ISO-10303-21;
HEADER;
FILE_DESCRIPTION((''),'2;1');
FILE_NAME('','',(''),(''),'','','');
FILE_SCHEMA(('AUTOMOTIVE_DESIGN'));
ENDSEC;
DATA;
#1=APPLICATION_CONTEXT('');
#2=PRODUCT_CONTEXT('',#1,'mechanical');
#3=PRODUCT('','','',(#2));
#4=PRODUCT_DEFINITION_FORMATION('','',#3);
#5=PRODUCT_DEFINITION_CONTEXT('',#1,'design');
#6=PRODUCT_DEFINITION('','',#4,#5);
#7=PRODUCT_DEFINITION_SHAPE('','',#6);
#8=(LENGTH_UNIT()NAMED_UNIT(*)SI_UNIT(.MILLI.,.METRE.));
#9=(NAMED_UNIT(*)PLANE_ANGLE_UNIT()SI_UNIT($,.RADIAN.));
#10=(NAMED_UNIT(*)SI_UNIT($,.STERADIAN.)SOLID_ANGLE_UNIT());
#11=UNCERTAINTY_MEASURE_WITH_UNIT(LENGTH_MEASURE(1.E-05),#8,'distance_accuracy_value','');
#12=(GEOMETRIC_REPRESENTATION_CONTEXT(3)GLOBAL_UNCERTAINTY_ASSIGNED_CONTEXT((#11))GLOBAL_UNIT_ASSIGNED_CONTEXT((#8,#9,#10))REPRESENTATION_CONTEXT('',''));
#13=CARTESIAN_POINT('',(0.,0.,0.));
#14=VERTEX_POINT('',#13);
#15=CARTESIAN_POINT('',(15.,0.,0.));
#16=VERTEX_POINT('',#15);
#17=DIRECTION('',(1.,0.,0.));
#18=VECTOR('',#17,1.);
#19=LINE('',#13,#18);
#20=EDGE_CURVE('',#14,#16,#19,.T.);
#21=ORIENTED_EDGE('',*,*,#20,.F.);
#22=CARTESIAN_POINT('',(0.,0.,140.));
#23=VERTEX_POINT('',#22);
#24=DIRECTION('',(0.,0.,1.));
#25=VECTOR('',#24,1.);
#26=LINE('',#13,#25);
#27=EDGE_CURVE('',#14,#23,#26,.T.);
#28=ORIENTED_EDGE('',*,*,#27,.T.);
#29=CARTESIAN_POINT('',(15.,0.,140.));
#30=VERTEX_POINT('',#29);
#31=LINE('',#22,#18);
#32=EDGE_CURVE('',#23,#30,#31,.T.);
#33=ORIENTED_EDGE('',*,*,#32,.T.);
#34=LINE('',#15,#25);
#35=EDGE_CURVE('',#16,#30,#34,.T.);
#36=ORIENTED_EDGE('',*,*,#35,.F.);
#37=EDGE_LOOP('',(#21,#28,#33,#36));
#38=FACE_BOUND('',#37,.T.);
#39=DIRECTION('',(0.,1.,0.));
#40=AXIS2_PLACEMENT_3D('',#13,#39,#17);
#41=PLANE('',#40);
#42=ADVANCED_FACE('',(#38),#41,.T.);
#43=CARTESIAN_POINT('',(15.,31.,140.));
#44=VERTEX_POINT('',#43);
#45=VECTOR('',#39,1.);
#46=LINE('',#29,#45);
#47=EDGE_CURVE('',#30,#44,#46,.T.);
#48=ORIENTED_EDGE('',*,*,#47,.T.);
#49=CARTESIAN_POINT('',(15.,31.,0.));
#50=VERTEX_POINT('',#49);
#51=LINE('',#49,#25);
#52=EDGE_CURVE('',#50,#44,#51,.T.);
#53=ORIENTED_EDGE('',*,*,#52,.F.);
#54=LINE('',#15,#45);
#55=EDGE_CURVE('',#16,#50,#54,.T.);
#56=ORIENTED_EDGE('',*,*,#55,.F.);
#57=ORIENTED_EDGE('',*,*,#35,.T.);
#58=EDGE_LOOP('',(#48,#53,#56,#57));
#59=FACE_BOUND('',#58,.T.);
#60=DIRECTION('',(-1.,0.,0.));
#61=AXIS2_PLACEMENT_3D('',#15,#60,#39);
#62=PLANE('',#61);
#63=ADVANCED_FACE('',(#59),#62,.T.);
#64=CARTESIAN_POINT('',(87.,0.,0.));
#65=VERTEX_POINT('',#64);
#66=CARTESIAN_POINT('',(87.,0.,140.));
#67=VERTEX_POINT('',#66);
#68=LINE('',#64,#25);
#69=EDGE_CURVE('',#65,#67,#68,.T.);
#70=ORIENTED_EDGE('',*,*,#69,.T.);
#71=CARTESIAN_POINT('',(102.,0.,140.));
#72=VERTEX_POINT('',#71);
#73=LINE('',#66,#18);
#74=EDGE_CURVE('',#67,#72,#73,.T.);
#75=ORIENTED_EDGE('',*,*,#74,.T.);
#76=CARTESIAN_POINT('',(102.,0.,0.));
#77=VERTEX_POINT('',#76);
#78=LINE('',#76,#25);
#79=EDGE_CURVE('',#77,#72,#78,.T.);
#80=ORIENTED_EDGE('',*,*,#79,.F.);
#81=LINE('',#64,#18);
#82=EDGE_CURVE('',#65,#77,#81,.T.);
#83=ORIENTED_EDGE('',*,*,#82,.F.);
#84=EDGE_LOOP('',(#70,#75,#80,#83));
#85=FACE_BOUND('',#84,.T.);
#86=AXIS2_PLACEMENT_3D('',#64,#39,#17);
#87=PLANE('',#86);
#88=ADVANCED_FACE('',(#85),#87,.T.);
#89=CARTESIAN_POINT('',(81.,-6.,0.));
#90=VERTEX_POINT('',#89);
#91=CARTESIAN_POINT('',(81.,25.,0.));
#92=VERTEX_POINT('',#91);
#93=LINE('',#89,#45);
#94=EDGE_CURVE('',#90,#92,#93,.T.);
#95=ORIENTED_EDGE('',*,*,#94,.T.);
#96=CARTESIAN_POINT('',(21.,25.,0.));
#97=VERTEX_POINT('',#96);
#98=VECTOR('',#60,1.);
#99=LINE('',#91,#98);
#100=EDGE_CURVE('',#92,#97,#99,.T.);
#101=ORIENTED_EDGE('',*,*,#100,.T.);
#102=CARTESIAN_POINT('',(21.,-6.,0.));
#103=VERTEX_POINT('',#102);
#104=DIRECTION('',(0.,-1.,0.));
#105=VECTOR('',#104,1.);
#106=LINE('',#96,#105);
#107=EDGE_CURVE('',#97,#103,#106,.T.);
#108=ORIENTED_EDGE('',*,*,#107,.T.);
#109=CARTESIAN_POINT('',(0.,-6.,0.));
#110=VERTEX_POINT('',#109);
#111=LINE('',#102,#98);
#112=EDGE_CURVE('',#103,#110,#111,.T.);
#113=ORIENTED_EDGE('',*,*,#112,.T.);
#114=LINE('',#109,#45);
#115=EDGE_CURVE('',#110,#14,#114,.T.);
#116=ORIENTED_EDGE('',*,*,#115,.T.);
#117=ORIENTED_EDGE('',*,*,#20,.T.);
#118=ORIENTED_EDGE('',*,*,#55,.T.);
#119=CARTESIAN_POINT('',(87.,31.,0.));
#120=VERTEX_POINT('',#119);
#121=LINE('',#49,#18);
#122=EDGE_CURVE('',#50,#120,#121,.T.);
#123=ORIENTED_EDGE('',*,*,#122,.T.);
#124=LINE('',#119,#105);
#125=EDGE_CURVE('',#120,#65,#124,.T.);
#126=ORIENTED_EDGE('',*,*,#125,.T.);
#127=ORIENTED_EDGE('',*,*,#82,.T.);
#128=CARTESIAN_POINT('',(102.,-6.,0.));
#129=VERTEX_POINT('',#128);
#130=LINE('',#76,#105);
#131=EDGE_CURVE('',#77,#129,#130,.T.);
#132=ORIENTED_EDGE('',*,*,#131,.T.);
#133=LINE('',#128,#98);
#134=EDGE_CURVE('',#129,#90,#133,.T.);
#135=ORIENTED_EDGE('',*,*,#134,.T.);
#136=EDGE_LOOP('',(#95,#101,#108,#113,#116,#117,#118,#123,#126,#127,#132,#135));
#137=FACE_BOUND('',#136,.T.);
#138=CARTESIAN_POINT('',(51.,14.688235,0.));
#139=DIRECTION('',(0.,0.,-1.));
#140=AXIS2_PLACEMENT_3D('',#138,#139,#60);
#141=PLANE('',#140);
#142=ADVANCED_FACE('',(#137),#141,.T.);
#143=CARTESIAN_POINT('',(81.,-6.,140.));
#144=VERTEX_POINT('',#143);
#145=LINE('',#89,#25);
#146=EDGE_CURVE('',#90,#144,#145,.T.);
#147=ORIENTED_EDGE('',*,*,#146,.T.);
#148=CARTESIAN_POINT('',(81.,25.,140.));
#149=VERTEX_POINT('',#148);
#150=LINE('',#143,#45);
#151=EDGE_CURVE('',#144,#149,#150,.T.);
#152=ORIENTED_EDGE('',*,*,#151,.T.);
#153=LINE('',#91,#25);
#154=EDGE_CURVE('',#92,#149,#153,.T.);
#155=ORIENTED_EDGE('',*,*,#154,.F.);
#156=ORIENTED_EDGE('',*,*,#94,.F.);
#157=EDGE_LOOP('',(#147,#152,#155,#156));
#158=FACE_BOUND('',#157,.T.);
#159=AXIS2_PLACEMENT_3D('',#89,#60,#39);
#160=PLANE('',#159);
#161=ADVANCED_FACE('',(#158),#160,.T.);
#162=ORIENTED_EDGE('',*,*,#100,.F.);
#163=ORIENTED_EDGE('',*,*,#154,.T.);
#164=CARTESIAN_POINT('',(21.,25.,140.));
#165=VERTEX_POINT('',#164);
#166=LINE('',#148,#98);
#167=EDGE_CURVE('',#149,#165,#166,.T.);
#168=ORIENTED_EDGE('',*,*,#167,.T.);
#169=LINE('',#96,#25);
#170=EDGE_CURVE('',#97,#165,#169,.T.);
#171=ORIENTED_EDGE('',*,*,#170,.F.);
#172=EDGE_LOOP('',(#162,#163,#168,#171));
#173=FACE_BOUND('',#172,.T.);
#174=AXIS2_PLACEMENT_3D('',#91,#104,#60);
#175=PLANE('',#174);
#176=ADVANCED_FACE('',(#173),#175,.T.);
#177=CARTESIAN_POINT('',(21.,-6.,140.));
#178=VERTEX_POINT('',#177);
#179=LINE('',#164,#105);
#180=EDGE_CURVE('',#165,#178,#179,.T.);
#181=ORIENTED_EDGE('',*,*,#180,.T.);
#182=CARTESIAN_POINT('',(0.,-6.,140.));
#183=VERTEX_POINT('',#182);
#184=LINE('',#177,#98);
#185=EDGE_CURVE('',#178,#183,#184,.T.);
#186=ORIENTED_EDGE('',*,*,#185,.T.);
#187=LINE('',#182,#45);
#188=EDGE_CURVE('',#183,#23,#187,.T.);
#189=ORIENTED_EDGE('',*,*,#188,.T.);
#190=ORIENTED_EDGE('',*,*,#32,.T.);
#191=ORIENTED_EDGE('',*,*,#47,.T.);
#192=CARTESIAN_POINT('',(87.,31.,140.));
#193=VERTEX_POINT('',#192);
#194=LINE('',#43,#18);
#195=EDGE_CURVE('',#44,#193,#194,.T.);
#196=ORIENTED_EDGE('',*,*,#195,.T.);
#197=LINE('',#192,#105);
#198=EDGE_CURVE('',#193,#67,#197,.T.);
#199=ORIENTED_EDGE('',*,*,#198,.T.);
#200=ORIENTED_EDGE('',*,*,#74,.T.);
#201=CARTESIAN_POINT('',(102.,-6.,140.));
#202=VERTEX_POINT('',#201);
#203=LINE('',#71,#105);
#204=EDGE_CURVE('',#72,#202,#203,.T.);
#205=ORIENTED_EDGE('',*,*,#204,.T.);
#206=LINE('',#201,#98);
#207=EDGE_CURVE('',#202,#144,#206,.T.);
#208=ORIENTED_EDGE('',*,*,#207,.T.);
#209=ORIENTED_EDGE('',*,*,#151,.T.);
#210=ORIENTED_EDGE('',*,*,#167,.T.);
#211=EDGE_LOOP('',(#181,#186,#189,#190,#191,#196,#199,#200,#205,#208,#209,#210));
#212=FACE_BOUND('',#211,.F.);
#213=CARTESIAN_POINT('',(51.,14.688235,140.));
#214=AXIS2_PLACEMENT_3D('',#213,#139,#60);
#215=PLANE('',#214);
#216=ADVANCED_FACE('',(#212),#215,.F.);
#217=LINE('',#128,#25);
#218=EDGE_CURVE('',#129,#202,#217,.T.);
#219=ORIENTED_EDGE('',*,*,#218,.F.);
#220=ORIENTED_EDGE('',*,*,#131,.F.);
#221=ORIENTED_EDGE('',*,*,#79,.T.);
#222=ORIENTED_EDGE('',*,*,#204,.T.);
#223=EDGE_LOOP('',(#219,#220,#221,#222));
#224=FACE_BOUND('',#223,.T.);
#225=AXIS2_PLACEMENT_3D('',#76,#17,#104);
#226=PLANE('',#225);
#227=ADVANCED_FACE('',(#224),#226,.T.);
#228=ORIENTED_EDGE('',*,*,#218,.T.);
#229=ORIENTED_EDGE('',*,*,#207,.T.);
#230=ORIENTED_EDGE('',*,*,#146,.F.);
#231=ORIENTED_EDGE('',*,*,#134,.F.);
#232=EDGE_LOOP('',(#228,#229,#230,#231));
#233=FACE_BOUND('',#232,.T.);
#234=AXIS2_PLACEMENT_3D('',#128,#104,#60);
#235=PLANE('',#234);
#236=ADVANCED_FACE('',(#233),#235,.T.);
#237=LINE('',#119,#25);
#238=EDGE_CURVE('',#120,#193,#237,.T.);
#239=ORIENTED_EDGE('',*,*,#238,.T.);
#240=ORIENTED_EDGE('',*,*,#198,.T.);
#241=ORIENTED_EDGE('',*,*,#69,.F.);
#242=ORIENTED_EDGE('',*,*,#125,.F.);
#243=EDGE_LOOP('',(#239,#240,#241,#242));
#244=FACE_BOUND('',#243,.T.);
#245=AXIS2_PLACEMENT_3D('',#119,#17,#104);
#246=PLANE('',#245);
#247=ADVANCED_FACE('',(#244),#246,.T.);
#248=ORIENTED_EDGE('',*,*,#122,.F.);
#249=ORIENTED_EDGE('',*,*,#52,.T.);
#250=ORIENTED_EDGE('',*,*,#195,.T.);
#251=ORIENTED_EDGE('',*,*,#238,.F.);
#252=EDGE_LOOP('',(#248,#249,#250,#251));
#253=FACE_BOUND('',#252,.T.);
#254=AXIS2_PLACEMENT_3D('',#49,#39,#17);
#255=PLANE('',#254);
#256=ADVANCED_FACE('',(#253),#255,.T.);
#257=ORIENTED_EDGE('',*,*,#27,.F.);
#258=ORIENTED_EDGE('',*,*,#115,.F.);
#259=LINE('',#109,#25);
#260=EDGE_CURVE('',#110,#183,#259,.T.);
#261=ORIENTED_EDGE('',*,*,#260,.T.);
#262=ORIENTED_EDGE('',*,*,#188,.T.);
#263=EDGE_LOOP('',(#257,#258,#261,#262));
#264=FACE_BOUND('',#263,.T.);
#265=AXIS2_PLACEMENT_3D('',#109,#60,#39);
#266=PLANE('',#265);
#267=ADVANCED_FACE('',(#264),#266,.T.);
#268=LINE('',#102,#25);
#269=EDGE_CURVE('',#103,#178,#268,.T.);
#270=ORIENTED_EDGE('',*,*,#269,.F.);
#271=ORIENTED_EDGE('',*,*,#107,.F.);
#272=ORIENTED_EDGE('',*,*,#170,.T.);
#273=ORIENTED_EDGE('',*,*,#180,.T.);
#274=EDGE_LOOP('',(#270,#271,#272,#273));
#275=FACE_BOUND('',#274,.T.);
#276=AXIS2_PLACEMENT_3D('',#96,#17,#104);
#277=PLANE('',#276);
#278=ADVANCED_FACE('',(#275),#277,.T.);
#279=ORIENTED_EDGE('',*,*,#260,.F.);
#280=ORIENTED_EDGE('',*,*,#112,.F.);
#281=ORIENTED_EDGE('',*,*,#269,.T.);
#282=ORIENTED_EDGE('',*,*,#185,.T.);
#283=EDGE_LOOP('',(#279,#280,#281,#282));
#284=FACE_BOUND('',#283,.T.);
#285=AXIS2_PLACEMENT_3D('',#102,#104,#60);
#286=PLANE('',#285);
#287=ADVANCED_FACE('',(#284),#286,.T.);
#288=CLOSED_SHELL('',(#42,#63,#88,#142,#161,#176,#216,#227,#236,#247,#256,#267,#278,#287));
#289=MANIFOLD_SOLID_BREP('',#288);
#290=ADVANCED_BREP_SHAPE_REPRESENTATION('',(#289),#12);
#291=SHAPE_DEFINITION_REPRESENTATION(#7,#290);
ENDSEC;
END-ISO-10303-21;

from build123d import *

# Parameters (mm, degrees)
BOSS_EXTRUDE1_DEPTH = 140


with BuildPart() as part:
    # Sketch1 → Boss-Extrude1 (new body)
    with BuildSketch(Plane.XY):
        Polygon((0, 0), (15, 0), (15, 31), (87, 31), (87, 0), (102, 0), (102, -6), (81, -6), (81, 25), (21, 25), (21, -6), (0, -6), align=None)
    extrude(amount=BOSS_EXTRUDE1_DEPTH)


solid = part.part
